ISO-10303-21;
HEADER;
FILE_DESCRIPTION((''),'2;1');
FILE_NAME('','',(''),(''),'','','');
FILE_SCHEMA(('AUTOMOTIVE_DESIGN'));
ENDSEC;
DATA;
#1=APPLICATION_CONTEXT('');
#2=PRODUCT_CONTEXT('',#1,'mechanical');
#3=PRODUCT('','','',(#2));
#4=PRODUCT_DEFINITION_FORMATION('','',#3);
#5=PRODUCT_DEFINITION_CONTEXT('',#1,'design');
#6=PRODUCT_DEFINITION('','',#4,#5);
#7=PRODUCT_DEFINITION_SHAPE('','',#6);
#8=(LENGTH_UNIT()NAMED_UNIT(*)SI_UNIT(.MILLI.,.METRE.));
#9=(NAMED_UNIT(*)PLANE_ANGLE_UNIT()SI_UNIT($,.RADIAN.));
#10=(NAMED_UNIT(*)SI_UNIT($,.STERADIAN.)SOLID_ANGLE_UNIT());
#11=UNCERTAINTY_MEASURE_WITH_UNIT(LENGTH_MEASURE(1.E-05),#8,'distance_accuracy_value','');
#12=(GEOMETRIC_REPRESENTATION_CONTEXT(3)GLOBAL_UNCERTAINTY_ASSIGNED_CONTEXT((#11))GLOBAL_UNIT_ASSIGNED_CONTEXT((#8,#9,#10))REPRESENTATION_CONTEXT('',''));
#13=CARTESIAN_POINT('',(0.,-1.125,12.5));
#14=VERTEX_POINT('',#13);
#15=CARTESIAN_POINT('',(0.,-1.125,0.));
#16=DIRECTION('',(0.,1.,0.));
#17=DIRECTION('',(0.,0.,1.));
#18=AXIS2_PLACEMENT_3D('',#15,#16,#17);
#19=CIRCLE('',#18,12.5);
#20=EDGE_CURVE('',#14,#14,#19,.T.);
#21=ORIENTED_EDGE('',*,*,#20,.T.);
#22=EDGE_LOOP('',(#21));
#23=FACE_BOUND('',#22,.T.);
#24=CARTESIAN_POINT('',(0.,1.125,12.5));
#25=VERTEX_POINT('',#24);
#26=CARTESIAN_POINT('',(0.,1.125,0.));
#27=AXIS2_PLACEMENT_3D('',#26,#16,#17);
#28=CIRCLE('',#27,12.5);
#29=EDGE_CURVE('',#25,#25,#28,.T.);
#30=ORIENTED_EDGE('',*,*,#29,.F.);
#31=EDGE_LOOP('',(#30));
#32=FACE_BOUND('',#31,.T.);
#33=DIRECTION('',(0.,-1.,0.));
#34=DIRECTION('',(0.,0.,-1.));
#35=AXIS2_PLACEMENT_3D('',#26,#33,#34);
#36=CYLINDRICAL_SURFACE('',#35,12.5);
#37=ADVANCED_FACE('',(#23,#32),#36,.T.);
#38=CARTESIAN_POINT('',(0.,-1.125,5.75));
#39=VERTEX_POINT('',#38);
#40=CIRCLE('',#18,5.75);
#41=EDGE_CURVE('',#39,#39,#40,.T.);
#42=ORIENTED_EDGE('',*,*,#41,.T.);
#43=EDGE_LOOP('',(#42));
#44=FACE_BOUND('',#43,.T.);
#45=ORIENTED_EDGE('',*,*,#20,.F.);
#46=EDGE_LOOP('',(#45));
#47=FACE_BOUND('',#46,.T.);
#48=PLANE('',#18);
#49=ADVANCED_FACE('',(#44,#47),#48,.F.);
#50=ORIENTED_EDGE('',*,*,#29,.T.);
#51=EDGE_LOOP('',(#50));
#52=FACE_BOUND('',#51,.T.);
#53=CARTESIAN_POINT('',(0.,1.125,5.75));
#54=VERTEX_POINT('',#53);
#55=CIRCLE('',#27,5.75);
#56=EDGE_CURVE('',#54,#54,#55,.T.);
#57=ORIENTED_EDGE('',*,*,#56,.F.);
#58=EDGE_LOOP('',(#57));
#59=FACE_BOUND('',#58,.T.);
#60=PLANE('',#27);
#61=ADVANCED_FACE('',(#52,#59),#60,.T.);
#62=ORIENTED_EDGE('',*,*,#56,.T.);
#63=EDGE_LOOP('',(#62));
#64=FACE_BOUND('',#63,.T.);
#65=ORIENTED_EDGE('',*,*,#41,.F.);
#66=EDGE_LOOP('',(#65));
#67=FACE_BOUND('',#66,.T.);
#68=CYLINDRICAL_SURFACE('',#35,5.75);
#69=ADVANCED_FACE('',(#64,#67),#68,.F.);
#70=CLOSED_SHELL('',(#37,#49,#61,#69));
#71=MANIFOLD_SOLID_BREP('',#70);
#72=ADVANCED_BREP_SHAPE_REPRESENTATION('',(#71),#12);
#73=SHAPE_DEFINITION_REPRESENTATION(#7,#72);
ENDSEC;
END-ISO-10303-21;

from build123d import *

# Parameters (mm, degrees)
SKETCH1_R           = 12.5
SKETCH1_R_2         = 5.75
BOSS_EXTRUDE1_DEPTH = 1.125


with BuildPart() as part:
    # Sketch1 → Boss-Extrude1 (new body, symmetric)
    with BuildSketch(Plane(origin=(0, 0, 0), x_dir=(1, 0, 0), z_dir=(0, 1, 0))):
        Circle(SKETCH1_R)
        Circle(SKETCH1_R_2, mode=Mode.SUBTRACT)
    extrude(amount=BOSS_EXTRUDE1_DEPTH, both=True)


solid = part.part
